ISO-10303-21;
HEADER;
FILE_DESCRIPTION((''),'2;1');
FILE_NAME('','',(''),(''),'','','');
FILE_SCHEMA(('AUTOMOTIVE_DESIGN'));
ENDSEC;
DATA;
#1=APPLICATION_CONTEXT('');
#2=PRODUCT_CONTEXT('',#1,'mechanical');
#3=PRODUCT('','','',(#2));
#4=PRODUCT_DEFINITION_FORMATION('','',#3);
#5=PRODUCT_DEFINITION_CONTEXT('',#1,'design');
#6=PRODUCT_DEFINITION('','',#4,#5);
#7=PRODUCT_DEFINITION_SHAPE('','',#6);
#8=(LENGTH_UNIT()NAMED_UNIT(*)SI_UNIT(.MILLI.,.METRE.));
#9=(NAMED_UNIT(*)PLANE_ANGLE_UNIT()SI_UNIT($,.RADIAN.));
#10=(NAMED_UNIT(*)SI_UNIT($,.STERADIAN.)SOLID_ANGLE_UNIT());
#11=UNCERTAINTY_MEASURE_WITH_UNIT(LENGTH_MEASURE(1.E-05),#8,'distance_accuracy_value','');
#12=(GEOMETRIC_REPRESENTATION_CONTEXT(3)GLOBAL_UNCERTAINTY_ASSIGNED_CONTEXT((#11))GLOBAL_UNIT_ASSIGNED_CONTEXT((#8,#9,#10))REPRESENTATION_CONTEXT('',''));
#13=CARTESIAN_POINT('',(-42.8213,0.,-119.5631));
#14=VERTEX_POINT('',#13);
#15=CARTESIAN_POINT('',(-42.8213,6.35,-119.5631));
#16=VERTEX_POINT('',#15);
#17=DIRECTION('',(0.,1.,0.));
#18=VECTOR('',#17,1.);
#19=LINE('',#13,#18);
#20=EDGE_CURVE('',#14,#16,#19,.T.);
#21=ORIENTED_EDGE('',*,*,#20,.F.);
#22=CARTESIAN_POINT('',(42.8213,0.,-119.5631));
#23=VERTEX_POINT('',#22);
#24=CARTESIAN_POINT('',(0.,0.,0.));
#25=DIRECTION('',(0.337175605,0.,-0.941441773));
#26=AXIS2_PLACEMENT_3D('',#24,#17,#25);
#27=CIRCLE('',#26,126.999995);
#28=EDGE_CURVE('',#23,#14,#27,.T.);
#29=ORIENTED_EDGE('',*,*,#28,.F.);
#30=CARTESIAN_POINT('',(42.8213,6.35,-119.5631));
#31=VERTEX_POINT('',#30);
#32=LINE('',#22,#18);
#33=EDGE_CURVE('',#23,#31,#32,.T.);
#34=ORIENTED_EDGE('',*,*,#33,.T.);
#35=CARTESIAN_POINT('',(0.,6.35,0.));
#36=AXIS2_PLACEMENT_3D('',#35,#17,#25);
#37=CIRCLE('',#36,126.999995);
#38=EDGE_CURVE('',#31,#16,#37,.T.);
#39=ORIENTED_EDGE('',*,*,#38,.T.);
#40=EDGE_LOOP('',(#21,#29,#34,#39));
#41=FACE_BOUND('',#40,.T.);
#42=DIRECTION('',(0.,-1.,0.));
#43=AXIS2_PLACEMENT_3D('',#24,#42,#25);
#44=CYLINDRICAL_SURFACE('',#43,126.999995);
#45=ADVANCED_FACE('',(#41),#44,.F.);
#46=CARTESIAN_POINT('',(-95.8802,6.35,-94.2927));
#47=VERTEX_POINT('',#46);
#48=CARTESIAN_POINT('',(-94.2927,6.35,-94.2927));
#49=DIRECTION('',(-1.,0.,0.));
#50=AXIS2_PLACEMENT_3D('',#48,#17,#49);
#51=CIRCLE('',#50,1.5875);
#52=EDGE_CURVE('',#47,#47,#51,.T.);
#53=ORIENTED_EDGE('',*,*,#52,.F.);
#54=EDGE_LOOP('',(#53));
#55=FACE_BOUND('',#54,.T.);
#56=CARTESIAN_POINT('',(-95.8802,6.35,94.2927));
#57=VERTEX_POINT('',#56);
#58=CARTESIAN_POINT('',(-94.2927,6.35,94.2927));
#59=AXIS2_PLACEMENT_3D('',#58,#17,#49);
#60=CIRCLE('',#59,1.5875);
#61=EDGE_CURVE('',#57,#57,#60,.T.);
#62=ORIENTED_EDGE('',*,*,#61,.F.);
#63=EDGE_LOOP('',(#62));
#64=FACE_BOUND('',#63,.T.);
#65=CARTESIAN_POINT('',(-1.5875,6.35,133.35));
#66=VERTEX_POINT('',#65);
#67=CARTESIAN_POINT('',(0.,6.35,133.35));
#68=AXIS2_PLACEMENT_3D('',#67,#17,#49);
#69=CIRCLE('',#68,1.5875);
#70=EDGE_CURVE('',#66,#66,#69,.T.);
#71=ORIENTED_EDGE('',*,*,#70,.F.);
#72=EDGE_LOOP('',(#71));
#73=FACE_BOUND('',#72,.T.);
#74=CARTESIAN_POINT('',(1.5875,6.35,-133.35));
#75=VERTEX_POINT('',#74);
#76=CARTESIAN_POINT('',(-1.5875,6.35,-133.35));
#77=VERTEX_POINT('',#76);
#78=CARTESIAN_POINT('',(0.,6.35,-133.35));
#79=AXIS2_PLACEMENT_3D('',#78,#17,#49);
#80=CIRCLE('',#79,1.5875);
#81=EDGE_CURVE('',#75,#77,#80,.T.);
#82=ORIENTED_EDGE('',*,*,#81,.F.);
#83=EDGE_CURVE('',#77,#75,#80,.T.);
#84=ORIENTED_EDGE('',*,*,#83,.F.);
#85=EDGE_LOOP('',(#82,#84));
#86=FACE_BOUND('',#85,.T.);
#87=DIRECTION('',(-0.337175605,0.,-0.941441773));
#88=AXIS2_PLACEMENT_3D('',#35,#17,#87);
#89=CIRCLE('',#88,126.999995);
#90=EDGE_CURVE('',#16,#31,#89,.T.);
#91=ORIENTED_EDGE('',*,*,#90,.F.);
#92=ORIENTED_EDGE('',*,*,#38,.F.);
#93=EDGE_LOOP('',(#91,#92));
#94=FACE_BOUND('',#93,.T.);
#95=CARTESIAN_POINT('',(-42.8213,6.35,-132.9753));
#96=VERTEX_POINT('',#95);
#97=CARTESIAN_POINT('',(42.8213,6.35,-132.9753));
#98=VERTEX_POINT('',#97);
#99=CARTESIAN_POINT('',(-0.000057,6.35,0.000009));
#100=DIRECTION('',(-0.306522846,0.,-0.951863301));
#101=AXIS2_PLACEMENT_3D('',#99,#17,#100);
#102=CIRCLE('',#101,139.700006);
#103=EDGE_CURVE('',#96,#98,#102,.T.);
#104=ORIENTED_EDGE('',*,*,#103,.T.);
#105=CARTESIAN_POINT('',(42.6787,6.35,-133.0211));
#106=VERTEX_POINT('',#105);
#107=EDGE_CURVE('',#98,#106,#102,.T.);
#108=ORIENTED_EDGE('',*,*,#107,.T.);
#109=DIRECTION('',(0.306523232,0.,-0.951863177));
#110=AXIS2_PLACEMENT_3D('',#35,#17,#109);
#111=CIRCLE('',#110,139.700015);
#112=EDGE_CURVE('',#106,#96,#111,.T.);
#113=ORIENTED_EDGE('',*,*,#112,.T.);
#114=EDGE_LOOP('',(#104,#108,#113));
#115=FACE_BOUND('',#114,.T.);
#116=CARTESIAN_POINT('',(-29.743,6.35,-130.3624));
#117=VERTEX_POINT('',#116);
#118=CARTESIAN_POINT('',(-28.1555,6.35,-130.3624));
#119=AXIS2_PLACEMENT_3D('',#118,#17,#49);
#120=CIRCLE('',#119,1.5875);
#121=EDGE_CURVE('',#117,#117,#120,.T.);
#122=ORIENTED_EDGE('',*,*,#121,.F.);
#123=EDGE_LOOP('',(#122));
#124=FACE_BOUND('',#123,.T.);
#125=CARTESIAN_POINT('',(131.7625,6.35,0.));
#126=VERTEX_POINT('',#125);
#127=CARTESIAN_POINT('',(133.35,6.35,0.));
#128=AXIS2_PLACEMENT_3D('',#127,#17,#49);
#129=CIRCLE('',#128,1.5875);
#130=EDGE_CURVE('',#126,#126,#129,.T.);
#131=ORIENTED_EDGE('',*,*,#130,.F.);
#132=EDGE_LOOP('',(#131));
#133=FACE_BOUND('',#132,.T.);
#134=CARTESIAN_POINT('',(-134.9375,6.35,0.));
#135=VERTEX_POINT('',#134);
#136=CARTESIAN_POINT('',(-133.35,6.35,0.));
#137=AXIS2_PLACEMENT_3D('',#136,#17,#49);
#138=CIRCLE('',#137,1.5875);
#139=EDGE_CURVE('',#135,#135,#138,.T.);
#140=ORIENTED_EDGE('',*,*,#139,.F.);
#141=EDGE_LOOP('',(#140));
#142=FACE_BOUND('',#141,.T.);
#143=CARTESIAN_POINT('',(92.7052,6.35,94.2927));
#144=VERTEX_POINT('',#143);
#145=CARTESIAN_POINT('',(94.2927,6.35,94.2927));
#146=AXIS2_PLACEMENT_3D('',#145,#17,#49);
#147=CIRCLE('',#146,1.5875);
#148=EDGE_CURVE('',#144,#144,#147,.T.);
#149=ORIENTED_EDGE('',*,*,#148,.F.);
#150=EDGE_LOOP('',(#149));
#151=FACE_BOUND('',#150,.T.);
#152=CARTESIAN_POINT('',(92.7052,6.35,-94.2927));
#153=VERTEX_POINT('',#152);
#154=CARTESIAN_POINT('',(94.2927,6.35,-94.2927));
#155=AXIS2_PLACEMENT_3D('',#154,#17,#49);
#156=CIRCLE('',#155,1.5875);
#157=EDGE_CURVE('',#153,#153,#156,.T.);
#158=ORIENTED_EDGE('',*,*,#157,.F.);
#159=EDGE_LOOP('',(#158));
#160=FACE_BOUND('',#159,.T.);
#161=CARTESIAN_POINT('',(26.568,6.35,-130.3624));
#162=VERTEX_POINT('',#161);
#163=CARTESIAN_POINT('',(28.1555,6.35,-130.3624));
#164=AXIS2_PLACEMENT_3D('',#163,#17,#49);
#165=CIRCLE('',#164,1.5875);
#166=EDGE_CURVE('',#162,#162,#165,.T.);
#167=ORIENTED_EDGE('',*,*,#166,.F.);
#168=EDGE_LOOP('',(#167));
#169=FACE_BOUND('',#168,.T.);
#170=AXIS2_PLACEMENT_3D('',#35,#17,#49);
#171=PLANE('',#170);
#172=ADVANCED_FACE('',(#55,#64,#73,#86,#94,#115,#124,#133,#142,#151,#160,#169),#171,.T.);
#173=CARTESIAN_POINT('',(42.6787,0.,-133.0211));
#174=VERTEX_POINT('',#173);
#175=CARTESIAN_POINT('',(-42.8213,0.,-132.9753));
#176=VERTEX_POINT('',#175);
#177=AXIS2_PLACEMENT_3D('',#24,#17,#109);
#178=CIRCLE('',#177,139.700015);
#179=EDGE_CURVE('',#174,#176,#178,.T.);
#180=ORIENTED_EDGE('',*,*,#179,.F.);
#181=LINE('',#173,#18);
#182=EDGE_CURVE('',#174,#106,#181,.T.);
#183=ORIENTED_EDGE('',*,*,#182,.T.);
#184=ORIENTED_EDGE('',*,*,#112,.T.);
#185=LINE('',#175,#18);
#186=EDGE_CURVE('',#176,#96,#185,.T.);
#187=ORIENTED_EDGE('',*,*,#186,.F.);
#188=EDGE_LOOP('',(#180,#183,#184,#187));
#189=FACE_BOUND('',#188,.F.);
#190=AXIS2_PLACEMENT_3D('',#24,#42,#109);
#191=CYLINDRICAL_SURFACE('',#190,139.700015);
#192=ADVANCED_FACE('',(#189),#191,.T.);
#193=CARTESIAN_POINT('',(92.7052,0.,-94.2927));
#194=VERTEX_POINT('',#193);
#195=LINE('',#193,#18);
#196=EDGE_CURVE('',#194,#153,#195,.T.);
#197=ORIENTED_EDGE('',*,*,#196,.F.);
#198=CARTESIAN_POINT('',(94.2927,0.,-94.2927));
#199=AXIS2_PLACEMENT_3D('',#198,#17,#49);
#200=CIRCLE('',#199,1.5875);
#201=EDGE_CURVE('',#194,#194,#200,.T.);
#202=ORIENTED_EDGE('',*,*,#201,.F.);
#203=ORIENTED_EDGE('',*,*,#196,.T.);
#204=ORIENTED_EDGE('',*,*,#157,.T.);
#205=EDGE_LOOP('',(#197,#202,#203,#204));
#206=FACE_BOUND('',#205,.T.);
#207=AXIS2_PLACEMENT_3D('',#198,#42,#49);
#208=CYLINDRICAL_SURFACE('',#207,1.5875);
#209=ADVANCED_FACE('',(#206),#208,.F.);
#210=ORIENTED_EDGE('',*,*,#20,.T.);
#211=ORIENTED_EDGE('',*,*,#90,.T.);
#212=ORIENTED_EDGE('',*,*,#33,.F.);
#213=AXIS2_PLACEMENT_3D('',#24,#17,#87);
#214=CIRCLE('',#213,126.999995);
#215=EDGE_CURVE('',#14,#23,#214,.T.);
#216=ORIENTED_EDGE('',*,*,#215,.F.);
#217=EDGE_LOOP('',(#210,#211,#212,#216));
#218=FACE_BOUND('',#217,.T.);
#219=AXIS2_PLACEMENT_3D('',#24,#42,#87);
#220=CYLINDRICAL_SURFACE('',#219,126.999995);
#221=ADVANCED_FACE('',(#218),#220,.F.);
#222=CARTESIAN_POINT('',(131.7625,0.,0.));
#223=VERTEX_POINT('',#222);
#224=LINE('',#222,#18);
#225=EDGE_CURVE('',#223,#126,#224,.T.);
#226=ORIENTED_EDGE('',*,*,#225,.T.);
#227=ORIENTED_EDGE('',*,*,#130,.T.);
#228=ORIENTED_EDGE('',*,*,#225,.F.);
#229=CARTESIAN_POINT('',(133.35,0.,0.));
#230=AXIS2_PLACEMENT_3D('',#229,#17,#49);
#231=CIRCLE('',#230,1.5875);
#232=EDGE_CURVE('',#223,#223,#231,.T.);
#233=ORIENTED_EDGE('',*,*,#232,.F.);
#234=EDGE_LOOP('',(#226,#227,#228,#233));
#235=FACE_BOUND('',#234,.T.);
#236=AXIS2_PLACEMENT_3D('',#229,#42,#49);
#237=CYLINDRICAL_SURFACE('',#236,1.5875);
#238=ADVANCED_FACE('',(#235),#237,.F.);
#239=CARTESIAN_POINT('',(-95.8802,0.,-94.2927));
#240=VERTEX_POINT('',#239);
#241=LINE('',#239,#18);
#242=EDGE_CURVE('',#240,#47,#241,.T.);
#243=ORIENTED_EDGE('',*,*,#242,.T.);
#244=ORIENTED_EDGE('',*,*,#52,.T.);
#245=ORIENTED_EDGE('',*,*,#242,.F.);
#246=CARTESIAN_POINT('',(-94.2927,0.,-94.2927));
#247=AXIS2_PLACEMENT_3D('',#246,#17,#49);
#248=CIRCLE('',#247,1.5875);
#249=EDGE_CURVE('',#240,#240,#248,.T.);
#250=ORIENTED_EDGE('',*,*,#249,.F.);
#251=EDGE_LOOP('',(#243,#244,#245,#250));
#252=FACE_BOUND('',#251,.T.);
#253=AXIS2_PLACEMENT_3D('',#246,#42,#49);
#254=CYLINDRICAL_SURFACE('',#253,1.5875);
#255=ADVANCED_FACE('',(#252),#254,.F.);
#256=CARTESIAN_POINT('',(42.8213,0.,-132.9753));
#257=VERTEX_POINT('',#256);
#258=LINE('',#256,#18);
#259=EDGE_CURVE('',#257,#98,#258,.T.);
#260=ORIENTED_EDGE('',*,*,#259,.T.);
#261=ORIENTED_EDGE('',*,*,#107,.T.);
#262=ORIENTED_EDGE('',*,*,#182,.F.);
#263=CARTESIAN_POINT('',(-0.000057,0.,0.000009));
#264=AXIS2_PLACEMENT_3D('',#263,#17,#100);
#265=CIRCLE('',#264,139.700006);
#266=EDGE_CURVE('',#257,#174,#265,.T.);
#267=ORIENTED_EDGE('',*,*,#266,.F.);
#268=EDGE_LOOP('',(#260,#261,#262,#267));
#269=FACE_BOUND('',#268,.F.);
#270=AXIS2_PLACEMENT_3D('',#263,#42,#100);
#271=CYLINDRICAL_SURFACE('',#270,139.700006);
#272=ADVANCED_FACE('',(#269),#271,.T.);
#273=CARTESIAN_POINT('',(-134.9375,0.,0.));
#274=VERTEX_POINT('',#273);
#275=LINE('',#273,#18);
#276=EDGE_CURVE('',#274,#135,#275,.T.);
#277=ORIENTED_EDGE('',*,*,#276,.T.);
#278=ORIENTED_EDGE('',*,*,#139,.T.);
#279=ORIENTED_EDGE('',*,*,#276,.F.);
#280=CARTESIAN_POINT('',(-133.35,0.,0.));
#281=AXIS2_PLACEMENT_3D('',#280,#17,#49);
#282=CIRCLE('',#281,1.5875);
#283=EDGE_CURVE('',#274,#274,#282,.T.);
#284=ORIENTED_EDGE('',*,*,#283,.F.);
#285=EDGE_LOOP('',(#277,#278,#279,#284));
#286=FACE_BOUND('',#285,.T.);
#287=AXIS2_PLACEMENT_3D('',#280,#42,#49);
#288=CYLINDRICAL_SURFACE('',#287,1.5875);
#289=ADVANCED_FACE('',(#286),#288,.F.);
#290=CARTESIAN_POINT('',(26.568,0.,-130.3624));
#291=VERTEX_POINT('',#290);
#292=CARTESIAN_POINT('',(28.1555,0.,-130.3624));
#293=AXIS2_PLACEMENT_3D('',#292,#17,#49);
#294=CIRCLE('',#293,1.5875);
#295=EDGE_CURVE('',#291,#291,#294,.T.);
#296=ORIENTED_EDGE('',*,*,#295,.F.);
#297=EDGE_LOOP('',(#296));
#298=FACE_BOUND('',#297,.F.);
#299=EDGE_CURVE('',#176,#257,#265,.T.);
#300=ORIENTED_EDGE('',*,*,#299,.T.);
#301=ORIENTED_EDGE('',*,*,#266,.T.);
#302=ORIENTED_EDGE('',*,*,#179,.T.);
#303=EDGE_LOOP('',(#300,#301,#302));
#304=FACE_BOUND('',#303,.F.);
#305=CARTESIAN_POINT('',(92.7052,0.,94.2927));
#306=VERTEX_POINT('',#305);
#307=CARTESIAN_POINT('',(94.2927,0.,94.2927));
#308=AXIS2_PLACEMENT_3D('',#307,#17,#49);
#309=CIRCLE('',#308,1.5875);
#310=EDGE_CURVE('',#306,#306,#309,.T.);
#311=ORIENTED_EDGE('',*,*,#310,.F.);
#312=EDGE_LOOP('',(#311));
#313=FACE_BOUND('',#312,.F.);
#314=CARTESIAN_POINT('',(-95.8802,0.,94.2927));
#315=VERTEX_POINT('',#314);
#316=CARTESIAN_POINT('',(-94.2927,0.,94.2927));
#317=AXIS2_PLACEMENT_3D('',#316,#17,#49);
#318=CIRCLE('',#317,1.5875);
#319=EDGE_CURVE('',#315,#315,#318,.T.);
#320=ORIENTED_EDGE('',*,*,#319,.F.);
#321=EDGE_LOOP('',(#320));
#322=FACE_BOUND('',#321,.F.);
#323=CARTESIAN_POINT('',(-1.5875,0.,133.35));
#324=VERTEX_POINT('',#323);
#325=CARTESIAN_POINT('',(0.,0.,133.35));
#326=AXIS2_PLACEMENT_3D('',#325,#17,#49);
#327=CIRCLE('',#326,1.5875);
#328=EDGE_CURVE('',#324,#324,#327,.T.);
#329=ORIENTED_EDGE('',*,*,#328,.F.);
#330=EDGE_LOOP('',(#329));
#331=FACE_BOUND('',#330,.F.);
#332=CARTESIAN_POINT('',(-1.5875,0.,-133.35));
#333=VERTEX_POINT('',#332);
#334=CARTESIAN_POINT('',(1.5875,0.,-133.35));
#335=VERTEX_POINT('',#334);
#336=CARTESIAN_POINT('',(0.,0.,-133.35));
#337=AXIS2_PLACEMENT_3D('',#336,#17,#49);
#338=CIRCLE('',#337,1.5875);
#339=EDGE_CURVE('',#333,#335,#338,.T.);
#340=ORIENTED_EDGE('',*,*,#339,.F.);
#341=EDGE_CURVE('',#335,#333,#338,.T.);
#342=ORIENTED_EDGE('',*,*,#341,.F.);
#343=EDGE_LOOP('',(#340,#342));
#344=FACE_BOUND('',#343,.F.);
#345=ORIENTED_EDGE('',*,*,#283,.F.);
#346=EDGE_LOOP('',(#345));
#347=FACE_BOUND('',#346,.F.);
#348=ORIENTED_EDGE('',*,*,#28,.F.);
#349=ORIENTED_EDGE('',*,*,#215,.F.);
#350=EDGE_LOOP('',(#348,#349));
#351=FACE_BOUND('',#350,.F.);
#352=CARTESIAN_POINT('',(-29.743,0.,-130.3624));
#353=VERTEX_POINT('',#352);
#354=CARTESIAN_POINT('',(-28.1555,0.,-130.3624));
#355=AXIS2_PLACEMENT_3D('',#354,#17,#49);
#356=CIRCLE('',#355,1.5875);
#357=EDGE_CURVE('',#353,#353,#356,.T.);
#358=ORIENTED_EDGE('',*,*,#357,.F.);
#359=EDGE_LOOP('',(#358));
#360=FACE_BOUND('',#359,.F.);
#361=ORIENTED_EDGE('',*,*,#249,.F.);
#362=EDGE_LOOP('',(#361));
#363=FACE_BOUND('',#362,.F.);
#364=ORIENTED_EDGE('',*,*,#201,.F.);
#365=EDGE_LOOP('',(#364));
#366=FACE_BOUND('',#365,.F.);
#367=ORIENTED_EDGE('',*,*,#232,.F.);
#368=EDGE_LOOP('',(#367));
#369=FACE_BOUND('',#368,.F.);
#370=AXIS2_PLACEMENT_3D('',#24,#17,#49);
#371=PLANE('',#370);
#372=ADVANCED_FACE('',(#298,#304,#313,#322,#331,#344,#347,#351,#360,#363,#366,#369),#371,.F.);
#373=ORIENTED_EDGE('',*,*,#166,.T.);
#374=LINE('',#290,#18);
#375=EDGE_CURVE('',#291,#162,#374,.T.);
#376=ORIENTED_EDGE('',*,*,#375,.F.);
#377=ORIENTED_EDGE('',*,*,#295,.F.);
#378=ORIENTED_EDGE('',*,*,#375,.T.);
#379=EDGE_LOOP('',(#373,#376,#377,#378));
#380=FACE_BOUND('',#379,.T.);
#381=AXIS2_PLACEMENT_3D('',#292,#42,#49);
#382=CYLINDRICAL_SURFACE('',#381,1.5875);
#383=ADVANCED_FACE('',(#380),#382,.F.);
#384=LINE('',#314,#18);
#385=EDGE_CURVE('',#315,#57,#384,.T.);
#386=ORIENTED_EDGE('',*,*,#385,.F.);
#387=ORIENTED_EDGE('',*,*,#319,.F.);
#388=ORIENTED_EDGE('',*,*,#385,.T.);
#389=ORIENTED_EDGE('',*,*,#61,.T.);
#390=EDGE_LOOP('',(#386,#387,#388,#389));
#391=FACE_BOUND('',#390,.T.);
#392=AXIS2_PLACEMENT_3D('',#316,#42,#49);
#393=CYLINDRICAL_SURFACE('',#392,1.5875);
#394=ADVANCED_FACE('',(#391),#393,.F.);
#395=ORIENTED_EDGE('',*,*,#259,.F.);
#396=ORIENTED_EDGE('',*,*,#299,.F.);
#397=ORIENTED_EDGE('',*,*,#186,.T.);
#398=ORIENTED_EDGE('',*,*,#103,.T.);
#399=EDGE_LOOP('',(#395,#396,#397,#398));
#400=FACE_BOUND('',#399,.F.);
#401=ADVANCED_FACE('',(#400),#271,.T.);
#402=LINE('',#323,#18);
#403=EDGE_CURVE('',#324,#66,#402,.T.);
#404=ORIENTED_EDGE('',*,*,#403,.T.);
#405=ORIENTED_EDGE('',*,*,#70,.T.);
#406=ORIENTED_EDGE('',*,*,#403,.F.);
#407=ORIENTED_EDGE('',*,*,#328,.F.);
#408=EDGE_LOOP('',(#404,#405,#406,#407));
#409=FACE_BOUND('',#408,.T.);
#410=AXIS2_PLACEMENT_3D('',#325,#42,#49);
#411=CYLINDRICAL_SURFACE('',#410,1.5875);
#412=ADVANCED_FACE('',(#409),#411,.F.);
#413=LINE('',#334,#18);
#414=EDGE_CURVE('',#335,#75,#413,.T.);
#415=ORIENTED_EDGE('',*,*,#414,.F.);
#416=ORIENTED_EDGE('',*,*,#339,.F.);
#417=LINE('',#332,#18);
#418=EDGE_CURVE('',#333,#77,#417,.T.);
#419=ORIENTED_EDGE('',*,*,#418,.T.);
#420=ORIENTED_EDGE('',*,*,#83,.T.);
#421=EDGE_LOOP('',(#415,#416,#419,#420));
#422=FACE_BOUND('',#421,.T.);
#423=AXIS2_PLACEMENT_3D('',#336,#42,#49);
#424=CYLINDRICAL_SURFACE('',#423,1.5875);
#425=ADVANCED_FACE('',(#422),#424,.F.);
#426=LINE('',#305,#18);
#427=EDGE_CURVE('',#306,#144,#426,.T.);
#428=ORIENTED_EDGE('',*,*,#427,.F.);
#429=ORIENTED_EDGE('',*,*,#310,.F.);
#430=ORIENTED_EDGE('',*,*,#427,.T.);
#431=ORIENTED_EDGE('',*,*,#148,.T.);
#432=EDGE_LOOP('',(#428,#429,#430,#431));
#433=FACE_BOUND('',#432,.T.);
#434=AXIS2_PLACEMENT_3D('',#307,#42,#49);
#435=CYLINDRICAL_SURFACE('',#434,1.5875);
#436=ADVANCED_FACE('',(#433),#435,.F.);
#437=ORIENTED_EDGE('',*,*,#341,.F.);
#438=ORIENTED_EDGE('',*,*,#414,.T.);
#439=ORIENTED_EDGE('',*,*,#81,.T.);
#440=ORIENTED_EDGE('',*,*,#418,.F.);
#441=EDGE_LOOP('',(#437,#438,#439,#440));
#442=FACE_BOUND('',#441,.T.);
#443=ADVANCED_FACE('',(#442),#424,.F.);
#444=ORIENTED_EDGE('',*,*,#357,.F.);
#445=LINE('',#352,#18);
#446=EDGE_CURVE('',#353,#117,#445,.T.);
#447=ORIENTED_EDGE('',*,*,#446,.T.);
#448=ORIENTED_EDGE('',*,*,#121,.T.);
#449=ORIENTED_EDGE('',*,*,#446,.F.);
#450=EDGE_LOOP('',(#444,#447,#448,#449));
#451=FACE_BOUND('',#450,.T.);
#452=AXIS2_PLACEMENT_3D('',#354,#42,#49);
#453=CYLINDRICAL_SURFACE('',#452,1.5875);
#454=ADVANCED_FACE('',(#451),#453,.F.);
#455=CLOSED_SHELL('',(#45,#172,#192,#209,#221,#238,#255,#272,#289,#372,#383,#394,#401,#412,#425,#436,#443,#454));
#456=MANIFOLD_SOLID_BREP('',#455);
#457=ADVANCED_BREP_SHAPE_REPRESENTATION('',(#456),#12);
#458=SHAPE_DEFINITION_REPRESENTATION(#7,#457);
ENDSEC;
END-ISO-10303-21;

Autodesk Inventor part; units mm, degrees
ref_plane "YZ Plane" through (0, 0, 0) normal (1, 0, 0) x (0, 1, 0)
ref_plane "XZ Plane" through (0, 0, 0) normal (0, 1, 0) x (-1, 0, 0)
ref_plane "XY Plane" through (0, 0, 0) normal (0, 0, 1) x (1, 0, 0)
sketch "Sketch1" plane through (0, 0, 0) normal (0, 1, 0) x (-1, 0, 0)
  arc A0 (42.8213, -132.9753) -> (-42.6787, -133.0211) centre (0, 0) ccw
  circle A1 centre (2.7003, 146.7014) radius 1.5875
  circle A2 centre (0, -133.35) radius 1.5875
  circle A3 centre (94.2927, -94.2927) radius 1.5875
  circle A4 centre (133.35, 0) radius 1.5875
  circle A5 centre (94.2927, 94.2927) radius 1.5875
  circle A6 centre (0, 133.35) radius 1.5875
  circle A7 centre (-94.2927, 94.2927) radius 1.5875
  circle A8 centre (-133.35, 0) radius 1.5875
  circle A9 centre (-94.2927, -94.2927) radius 1.5875
  arc A10 (42.8213, -119.5631) -> (-42.8213, -119.5631) centre (0, 0) ccw
  line L0 (1.5875, -133.35) -> (-1.5875, -133.35)
  arc A11 (-42.8213, -132.9753) -> (42.8213, -132.9753) centre (0, 0) ccw
  arc A12 (-42.8213, -119.5631) -> (42.8213, -119.5631) centre (0, 0) ccw
  circle A13 centre (-28.1555, -130.3624) radius 1.5875
  circle A14 centre (28.1555, -130.3624) radius 1.5875
  point P0 (-26.811, -129.5183)
  point P1 (-26.811, -129.5183)
  point P2 (26.811, -129.5183)
  point P3 (26.811, -129.5183)
  dimension "d97" = 3.175
  dimension "d134" = 3.175
  dimension "d135" = 133.35
  dimension "d138" = 360
  dimension "d140" = 254
  dimension "d157" = 3.175
extrude "Extrusion13" add sketch "Sketch1" along normal blind 6.35 contours A11 A0
properties part number "Base_Acryllic"
